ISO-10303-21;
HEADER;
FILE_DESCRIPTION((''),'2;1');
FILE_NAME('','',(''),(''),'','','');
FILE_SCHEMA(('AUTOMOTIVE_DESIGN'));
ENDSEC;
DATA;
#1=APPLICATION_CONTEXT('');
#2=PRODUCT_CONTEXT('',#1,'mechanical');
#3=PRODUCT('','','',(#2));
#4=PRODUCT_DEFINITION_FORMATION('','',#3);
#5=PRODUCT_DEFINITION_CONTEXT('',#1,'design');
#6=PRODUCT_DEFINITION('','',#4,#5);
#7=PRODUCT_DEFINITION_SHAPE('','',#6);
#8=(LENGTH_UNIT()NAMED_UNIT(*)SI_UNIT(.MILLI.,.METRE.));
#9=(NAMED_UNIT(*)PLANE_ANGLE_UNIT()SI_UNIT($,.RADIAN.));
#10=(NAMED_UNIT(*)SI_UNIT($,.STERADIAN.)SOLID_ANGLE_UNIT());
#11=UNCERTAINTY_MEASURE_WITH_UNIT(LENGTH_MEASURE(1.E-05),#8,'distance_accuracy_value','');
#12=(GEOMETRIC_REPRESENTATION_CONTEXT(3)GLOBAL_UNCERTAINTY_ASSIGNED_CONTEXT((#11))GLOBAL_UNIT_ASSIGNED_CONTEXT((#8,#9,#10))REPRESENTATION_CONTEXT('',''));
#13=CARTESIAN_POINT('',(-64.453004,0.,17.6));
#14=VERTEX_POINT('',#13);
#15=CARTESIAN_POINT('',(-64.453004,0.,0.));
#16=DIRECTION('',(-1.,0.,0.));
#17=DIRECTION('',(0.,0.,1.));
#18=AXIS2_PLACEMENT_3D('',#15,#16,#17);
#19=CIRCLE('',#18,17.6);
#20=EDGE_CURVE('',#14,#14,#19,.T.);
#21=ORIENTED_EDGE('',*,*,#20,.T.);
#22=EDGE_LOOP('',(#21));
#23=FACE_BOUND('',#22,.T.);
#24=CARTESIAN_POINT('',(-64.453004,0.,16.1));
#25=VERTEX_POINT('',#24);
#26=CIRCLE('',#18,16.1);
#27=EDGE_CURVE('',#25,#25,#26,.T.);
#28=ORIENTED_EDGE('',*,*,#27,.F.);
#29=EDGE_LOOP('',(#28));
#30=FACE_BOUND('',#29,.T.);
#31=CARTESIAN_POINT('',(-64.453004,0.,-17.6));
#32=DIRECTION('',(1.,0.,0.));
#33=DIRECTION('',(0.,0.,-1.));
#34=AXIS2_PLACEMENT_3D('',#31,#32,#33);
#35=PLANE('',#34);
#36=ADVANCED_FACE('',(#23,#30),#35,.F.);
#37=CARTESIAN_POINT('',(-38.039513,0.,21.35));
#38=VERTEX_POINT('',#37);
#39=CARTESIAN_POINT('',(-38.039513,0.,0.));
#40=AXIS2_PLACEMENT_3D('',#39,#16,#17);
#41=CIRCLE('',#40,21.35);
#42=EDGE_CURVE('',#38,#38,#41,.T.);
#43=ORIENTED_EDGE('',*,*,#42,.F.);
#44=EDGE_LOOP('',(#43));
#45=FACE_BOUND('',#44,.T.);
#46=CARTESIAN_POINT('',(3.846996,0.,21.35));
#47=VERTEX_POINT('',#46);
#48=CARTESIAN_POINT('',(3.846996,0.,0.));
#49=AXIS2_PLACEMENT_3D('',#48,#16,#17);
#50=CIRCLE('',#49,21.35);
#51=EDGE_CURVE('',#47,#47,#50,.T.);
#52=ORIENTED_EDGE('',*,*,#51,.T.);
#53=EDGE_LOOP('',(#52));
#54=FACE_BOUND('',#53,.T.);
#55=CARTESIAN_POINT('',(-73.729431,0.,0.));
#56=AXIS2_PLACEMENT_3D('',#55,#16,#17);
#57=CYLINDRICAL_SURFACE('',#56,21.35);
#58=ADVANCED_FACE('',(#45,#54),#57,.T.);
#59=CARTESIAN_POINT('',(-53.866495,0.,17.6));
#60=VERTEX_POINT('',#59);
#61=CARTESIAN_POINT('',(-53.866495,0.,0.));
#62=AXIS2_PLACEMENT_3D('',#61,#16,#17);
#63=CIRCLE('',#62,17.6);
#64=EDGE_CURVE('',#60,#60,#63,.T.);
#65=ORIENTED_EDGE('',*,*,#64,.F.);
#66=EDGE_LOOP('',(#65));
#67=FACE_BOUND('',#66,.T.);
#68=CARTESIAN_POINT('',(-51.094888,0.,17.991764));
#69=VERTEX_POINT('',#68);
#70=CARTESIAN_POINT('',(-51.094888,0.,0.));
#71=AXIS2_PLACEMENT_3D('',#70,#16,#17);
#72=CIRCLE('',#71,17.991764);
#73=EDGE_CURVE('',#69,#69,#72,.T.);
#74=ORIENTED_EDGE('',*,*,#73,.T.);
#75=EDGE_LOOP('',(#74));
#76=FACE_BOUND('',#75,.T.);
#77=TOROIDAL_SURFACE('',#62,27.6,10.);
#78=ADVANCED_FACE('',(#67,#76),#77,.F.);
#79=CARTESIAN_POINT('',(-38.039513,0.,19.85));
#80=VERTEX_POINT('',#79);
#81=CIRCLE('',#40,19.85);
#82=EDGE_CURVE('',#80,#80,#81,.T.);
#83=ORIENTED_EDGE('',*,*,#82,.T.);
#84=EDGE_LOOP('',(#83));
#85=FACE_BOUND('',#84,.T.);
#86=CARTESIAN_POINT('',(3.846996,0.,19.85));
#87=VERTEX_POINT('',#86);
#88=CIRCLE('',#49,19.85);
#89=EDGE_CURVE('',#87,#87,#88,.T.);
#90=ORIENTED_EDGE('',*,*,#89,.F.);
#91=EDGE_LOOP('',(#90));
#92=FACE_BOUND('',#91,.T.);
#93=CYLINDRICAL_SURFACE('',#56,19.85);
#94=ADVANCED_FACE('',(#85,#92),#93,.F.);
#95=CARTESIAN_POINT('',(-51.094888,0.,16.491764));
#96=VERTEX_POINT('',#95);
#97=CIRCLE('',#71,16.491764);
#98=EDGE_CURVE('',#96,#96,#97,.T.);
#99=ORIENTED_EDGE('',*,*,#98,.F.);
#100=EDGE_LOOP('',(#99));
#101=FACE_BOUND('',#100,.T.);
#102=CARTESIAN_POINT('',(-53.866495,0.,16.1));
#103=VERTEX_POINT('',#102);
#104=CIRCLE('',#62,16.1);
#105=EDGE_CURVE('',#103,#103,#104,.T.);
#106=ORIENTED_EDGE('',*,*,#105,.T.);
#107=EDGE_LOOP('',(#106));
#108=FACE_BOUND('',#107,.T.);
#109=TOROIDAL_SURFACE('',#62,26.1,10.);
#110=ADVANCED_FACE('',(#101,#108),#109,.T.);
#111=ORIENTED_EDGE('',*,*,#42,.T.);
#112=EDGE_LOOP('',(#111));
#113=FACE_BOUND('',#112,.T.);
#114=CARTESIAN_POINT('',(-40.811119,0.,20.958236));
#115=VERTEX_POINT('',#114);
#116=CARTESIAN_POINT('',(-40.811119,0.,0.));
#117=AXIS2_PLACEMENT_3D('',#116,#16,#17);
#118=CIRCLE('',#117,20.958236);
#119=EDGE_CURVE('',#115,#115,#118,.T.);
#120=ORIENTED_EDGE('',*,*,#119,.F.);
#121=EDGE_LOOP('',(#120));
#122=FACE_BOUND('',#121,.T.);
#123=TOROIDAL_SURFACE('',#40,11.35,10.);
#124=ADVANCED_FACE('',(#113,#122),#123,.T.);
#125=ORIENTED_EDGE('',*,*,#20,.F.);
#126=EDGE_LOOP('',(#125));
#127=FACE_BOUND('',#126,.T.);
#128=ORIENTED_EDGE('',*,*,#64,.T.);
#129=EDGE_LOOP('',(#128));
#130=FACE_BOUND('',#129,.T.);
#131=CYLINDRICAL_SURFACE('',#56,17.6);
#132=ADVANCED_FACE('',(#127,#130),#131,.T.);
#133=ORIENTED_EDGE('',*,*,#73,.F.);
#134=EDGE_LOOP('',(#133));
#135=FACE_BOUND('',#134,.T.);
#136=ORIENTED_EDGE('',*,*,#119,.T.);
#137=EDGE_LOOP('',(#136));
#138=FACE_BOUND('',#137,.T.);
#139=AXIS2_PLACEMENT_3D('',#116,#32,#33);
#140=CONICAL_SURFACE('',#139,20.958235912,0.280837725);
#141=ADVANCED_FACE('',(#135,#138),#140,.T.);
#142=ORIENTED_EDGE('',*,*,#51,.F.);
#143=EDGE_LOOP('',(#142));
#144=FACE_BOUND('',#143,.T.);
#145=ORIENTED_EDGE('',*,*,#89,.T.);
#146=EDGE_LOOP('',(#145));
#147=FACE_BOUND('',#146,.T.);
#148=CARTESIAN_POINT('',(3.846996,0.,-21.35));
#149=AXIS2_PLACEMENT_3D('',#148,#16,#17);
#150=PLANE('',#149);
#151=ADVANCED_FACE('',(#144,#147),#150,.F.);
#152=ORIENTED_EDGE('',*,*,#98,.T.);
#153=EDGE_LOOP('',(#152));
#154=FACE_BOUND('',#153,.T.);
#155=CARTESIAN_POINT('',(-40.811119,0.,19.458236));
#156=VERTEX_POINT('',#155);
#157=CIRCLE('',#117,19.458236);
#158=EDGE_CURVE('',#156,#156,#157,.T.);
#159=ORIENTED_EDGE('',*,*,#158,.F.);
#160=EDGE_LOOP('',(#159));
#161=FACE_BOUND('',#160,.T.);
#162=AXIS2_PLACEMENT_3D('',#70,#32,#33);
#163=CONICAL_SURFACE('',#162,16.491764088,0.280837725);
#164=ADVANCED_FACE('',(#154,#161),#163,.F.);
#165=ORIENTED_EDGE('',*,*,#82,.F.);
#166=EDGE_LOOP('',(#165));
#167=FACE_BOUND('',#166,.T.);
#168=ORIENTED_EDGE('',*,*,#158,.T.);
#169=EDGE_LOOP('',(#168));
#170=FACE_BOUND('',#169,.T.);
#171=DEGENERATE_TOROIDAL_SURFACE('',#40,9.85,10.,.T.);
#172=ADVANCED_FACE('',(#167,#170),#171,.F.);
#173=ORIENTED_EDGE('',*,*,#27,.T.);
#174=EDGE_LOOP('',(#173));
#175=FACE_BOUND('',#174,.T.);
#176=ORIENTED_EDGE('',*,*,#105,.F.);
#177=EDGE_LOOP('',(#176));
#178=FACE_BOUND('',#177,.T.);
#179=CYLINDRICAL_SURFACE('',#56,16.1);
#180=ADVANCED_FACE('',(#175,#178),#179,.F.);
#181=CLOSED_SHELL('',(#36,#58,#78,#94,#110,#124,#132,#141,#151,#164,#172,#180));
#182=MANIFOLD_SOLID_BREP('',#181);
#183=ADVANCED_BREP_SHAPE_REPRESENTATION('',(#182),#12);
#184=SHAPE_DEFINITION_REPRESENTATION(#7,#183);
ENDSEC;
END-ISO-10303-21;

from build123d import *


with BuildPart() as part:
    # Sketch1 → Revolve1 (revolve)
    with BuildSketch(Plane(origin=(0, 0, 0), x_dir=(1, 0, 0), z_dir=(0, 1, 0)), mode=Mode.PRIVATE) as revolve1_sk:
        with BuildLine():
            Line((-64.453003754, 16.1), (-53.866494762, 16.1))
            ThreePointArc((-53.866494762, 16.1), (-52.466916096, 16.1984254), (-51.094888249, 16.491764088))
            Line((-51.094888249, 16.491764088), (-40.81111926, 19.458235912))
            ThreePointArc((-40.81111926, 19.458235912), (-39.439091413, 19.7515746), (-38.039512747, 19.85))
            Line((-38.039512747, 19.85), (3.846996246, 19.85))
            Line((3.846996246, 19.85), (3.846996246, 21.35))
            Line((3.846996246, 21.35), (-38.039512747, 21.35))
            ThreePointArc((-38.039512747, 21.35), (-39.439091413, 21.2515746), (-40.81111926, 20.958235912))
            Line((-40.81111926, 20.958235912), (-51.094888249, 17.991764088))
            ThreePointArc((-51.094888249, 17.991764088), (-52.466916096, 17.6984254), (-53.866494762, 17.6))
            Line((-53.866494762, 17.6), (-64.453003754, 17.6))
            Line((-64.453003754, 17.6), (-64.453003754, 16.1))
        make_face()
    revolve(revolve1_sk.sketch.rotate(Axis((-73.729430683, 0, 0), (1, 0, 0)), 180), axis=Axis((-73.729430683, 0, 0), (1, 0, 0)))


solid = part.part
